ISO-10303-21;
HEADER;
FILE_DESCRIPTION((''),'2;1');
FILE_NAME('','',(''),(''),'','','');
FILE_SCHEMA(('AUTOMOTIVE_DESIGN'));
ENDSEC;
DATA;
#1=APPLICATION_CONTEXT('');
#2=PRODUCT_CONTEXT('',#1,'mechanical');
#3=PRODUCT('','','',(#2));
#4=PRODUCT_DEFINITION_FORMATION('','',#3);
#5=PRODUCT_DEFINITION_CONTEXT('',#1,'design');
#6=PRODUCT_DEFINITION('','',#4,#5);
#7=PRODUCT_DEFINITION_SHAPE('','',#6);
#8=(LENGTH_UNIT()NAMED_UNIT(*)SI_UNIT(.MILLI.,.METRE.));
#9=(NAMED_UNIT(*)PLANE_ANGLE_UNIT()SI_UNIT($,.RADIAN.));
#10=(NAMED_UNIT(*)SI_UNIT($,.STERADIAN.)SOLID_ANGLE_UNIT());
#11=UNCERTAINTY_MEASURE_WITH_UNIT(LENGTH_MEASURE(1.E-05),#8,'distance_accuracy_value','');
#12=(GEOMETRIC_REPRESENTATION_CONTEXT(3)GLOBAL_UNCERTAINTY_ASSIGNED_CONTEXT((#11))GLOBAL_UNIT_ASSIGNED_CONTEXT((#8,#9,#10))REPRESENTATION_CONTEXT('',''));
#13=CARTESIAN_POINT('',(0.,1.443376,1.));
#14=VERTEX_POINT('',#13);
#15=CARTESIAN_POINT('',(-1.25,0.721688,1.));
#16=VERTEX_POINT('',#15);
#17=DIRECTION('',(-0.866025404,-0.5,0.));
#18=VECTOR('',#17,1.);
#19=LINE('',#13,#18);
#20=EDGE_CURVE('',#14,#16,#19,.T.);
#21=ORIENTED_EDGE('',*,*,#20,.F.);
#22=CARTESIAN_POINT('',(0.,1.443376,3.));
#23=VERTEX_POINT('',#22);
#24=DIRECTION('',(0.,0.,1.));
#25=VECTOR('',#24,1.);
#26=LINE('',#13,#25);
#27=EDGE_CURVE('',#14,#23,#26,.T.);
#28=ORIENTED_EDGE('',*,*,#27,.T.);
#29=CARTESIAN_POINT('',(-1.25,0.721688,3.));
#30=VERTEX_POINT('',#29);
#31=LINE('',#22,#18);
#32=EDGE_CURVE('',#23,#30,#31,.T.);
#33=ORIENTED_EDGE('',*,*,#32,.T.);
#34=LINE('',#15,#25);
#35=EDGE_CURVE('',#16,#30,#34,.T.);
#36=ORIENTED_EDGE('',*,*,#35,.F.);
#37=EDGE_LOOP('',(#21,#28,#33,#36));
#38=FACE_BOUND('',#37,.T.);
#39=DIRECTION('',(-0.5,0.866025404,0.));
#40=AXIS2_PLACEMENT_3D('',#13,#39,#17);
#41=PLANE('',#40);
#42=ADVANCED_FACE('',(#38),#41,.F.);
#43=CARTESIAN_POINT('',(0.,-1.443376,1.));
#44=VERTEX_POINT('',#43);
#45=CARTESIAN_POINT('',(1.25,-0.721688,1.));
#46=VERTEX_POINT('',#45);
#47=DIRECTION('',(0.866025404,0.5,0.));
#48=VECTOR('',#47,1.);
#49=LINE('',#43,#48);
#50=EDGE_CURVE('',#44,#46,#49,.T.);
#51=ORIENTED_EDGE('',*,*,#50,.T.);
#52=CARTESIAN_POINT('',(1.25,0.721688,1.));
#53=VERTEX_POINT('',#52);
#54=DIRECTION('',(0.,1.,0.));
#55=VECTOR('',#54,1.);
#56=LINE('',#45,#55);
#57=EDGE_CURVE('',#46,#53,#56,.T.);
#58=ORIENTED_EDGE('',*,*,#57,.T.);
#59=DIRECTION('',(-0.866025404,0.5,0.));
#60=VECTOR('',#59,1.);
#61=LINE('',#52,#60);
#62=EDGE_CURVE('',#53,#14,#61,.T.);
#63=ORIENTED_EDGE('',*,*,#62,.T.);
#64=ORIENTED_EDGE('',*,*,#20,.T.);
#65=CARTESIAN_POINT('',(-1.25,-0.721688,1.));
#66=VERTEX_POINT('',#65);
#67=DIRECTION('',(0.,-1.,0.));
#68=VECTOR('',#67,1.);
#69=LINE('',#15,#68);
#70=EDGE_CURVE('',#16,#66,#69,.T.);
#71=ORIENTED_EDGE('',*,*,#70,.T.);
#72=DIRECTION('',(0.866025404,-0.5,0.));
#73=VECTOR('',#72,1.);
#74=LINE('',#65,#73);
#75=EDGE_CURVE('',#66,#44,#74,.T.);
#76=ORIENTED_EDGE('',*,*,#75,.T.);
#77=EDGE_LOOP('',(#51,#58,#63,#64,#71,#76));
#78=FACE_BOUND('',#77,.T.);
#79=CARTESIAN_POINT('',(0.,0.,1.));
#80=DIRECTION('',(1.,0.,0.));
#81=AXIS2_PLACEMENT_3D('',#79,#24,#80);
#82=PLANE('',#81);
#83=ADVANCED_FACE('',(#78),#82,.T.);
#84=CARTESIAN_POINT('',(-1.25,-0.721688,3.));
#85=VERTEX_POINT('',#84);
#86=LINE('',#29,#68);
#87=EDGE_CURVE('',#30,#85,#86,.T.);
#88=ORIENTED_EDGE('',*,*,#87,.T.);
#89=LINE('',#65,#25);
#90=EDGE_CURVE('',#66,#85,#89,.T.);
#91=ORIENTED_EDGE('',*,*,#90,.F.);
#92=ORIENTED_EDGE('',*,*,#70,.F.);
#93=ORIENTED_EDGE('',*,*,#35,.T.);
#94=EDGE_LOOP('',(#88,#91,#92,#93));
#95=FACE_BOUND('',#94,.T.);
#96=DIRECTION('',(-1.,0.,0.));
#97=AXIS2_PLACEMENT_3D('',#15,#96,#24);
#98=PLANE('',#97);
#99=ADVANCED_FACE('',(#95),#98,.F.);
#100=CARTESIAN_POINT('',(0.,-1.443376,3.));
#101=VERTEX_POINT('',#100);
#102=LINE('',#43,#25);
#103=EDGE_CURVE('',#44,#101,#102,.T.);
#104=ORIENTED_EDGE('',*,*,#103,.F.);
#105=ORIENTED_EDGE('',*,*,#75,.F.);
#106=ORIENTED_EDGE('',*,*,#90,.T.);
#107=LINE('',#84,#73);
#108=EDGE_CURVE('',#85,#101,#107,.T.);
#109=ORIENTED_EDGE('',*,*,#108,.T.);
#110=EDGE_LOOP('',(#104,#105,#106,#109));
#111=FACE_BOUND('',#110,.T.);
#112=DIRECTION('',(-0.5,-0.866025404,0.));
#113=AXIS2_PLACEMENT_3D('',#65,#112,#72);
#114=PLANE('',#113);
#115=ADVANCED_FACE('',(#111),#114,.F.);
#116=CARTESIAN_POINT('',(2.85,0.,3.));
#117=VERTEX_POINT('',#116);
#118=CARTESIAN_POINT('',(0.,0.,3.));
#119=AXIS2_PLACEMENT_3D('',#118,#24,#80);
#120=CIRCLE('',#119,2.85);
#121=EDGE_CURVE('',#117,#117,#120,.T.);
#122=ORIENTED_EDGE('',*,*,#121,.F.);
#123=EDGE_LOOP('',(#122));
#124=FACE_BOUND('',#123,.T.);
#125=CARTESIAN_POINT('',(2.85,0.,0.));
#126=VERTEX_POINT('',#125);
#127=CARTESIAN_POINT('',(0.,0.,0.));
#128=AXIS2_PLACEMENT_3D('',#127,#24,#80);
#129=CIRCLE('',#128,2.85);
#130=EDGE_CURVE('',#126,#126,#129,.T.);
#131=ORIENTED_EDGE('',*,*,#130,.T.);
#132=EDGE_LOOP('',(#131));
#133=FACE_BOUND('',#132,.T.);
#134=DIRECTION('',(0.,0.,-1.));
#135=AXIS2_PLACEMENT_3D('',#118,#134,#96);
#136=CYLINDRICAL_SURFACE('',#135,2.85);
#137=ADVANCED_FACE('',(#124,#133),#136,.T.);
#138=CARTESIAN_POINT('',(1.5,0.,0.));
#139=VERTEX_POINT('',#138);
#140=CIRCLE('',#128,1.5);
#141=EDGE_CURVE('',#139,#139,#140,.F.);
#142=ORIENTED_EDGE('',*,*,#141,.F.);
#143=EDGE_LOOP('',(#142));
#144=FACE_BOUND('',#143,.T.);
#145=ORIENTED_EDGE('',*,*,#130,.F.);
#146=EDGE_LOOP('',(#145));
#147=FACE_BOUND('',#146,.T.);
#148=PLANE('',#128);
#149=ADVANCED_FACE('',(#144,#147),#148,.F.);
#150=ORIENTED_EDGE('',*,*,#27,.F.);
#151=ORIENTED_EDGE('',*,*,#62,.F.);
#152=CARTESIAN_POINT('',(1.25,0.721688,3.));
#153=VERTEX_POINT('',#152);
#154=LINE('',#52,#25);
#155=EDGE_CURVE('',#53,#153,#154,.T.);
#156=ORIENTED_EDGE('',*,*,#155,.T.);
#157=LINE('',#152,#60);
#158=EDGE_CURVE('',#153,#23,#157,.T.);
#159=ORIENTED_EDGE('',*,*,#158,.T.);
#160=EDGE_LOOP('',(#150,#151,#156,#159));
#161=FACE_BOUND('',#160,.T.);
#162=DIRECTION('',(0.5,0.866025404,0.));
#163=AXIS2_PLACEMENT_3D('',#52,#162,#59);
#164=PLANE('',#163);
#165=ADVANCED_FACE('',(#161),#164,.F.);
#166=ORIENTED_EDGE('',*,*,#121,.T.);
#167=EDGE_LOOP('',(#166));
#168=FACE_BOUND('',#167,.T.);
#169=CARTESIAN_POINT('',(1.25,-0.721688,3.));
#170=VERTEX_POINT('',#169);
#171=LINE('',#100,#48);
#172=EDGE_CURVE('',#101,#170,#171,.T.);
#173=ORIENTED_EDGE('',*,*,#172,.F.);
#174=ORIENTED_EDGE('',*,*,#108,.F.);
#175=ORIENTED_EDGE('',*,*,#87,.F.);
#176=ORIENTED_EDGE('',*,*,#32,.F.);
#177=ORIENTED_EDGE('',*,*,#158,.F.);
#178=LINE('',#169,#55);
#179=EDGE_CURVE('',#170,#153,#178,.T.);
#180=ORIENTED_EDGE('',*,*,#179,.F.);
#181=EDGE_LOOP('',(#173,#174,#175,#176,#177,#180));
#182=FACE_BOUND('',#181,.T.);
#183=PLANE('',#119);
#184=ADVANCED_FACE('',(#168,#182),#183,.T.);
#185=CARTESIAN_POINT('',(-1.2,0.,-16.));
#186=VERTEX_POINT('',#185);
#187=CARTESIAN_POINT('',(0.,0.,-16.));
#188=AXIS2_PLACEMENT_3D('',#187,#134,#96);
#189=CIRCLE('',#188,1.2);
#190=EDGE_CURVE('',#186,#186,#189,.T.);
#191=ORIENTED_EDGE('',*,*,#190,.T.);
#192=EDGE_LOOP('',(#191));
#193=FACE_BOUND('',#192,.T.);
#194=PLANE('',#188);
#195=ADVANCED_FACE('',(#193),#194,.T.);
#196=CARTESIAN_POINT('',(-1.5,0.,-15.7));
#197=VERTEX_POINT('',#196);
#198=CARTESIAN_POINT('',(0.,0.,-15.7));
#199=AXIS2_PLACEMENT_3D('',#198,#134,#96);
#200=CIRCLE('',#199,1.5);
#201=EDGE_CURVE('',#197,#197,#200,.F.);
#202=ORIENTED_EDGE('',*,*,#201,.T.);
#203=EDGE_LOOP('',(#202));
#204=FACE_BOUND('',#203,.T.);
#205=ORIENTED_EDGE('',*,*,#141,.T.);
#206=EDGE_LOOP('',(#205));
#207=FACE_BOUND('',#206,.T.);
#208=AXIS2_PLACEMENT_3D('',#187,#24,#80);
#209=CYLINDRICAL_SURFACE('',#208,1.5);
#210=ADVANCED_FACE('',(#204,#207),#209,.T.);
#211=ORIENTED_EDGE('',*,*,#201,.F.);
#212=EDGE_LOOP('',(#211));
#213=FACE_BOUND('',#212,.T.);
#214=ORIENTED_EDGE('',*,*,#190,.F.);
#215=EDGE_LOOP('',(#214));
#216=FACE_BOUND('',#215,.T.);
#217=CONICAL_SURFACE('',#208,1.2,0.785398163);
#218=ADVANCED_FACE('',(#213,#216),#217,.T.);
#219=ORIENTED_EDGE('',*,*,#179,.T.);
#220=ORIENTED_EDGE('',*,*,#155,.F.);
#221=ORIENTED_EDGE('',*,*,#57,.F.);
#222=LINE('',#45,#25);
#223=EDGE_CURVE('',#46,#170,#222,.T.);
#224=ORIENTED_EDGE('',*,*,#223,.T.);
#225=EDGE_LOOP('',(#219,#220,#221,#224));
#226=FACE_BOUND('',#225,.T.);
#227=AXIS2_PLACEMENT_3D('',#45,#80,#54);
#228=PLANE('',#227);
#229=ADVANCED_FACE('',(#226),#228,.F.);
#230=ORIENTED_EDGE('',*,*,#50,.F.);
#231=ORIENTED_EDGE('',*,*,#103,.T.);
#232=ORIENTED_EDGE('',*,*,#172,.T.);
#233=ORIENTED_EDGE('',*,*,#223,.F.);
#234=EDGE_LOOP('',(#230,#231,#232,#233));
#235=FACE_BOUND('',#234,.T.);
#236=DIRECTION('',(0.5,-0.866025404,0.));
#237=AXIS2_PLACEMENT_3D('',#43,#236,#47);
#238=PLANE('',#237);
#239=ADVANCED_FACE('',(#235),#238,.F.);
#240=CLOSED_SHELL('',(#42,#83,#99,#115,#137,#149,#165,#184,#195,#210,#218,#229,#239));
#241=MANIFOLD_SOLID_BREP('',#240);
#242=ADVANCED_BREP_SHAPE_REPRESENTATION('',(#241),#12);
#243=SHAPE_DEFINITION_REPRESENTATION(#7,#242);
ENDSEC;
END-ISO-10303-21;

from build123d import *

# Parameters (mm, degrees)
SKETCH1_R           = 2.85
BOSS_EXTRUDE1_DEPTH = 3
SKETCH2_R           = 1.5
BOSS_EXTRUDE2_DEPTH = 16
CHAMFER1_SIZE       = 0.3
CUT_EXTRUDE1_DEPTH  = 2


with BuildPart() as part:
    # Sketch1 → Boss-Extrude1 (new body)
    with BuildSketch(Plane.XY):
        Circle(SKETCH1_R)
    extrude(amount=BOSS_EXTRUDE1_DEPTH)

    # Sketch2 → Boss-Extrude2 (add)
    with BuildSketch(Plane(origin=(0, 0, 0), x_dir=(-1, 0, 0), z_dir=(0, 0, -1))):
        Circle(SKETCH2_R)
    extrude(amount=BOSS_EXTRUDE2_DEPTH)

    # Chamfer1
    chamfer1_edges = [part.edges().sort_by_distance(p)[0] for p in [
        (1.5, 0, -16),
    ]]
    chamfer(chamfer1_edges, length=CHAMFER1_SIZE)

    # Sketch3 → Cut-Extrude1 (cut)
    with BuildSketch(Plane.XY.offset(3)):
        Polygon((0, 1.443375673), (-1.25, 0.721687836), (-1.25, -0.721687836), (0, -1.443375673), (1.25, -0.721687836), (1.25, 0.721687836), align=None)
    extrude(amount=-CUT_EXTRUDE1_DEPTH, mode=Mode.SUBTRACT)


solid = part.part
